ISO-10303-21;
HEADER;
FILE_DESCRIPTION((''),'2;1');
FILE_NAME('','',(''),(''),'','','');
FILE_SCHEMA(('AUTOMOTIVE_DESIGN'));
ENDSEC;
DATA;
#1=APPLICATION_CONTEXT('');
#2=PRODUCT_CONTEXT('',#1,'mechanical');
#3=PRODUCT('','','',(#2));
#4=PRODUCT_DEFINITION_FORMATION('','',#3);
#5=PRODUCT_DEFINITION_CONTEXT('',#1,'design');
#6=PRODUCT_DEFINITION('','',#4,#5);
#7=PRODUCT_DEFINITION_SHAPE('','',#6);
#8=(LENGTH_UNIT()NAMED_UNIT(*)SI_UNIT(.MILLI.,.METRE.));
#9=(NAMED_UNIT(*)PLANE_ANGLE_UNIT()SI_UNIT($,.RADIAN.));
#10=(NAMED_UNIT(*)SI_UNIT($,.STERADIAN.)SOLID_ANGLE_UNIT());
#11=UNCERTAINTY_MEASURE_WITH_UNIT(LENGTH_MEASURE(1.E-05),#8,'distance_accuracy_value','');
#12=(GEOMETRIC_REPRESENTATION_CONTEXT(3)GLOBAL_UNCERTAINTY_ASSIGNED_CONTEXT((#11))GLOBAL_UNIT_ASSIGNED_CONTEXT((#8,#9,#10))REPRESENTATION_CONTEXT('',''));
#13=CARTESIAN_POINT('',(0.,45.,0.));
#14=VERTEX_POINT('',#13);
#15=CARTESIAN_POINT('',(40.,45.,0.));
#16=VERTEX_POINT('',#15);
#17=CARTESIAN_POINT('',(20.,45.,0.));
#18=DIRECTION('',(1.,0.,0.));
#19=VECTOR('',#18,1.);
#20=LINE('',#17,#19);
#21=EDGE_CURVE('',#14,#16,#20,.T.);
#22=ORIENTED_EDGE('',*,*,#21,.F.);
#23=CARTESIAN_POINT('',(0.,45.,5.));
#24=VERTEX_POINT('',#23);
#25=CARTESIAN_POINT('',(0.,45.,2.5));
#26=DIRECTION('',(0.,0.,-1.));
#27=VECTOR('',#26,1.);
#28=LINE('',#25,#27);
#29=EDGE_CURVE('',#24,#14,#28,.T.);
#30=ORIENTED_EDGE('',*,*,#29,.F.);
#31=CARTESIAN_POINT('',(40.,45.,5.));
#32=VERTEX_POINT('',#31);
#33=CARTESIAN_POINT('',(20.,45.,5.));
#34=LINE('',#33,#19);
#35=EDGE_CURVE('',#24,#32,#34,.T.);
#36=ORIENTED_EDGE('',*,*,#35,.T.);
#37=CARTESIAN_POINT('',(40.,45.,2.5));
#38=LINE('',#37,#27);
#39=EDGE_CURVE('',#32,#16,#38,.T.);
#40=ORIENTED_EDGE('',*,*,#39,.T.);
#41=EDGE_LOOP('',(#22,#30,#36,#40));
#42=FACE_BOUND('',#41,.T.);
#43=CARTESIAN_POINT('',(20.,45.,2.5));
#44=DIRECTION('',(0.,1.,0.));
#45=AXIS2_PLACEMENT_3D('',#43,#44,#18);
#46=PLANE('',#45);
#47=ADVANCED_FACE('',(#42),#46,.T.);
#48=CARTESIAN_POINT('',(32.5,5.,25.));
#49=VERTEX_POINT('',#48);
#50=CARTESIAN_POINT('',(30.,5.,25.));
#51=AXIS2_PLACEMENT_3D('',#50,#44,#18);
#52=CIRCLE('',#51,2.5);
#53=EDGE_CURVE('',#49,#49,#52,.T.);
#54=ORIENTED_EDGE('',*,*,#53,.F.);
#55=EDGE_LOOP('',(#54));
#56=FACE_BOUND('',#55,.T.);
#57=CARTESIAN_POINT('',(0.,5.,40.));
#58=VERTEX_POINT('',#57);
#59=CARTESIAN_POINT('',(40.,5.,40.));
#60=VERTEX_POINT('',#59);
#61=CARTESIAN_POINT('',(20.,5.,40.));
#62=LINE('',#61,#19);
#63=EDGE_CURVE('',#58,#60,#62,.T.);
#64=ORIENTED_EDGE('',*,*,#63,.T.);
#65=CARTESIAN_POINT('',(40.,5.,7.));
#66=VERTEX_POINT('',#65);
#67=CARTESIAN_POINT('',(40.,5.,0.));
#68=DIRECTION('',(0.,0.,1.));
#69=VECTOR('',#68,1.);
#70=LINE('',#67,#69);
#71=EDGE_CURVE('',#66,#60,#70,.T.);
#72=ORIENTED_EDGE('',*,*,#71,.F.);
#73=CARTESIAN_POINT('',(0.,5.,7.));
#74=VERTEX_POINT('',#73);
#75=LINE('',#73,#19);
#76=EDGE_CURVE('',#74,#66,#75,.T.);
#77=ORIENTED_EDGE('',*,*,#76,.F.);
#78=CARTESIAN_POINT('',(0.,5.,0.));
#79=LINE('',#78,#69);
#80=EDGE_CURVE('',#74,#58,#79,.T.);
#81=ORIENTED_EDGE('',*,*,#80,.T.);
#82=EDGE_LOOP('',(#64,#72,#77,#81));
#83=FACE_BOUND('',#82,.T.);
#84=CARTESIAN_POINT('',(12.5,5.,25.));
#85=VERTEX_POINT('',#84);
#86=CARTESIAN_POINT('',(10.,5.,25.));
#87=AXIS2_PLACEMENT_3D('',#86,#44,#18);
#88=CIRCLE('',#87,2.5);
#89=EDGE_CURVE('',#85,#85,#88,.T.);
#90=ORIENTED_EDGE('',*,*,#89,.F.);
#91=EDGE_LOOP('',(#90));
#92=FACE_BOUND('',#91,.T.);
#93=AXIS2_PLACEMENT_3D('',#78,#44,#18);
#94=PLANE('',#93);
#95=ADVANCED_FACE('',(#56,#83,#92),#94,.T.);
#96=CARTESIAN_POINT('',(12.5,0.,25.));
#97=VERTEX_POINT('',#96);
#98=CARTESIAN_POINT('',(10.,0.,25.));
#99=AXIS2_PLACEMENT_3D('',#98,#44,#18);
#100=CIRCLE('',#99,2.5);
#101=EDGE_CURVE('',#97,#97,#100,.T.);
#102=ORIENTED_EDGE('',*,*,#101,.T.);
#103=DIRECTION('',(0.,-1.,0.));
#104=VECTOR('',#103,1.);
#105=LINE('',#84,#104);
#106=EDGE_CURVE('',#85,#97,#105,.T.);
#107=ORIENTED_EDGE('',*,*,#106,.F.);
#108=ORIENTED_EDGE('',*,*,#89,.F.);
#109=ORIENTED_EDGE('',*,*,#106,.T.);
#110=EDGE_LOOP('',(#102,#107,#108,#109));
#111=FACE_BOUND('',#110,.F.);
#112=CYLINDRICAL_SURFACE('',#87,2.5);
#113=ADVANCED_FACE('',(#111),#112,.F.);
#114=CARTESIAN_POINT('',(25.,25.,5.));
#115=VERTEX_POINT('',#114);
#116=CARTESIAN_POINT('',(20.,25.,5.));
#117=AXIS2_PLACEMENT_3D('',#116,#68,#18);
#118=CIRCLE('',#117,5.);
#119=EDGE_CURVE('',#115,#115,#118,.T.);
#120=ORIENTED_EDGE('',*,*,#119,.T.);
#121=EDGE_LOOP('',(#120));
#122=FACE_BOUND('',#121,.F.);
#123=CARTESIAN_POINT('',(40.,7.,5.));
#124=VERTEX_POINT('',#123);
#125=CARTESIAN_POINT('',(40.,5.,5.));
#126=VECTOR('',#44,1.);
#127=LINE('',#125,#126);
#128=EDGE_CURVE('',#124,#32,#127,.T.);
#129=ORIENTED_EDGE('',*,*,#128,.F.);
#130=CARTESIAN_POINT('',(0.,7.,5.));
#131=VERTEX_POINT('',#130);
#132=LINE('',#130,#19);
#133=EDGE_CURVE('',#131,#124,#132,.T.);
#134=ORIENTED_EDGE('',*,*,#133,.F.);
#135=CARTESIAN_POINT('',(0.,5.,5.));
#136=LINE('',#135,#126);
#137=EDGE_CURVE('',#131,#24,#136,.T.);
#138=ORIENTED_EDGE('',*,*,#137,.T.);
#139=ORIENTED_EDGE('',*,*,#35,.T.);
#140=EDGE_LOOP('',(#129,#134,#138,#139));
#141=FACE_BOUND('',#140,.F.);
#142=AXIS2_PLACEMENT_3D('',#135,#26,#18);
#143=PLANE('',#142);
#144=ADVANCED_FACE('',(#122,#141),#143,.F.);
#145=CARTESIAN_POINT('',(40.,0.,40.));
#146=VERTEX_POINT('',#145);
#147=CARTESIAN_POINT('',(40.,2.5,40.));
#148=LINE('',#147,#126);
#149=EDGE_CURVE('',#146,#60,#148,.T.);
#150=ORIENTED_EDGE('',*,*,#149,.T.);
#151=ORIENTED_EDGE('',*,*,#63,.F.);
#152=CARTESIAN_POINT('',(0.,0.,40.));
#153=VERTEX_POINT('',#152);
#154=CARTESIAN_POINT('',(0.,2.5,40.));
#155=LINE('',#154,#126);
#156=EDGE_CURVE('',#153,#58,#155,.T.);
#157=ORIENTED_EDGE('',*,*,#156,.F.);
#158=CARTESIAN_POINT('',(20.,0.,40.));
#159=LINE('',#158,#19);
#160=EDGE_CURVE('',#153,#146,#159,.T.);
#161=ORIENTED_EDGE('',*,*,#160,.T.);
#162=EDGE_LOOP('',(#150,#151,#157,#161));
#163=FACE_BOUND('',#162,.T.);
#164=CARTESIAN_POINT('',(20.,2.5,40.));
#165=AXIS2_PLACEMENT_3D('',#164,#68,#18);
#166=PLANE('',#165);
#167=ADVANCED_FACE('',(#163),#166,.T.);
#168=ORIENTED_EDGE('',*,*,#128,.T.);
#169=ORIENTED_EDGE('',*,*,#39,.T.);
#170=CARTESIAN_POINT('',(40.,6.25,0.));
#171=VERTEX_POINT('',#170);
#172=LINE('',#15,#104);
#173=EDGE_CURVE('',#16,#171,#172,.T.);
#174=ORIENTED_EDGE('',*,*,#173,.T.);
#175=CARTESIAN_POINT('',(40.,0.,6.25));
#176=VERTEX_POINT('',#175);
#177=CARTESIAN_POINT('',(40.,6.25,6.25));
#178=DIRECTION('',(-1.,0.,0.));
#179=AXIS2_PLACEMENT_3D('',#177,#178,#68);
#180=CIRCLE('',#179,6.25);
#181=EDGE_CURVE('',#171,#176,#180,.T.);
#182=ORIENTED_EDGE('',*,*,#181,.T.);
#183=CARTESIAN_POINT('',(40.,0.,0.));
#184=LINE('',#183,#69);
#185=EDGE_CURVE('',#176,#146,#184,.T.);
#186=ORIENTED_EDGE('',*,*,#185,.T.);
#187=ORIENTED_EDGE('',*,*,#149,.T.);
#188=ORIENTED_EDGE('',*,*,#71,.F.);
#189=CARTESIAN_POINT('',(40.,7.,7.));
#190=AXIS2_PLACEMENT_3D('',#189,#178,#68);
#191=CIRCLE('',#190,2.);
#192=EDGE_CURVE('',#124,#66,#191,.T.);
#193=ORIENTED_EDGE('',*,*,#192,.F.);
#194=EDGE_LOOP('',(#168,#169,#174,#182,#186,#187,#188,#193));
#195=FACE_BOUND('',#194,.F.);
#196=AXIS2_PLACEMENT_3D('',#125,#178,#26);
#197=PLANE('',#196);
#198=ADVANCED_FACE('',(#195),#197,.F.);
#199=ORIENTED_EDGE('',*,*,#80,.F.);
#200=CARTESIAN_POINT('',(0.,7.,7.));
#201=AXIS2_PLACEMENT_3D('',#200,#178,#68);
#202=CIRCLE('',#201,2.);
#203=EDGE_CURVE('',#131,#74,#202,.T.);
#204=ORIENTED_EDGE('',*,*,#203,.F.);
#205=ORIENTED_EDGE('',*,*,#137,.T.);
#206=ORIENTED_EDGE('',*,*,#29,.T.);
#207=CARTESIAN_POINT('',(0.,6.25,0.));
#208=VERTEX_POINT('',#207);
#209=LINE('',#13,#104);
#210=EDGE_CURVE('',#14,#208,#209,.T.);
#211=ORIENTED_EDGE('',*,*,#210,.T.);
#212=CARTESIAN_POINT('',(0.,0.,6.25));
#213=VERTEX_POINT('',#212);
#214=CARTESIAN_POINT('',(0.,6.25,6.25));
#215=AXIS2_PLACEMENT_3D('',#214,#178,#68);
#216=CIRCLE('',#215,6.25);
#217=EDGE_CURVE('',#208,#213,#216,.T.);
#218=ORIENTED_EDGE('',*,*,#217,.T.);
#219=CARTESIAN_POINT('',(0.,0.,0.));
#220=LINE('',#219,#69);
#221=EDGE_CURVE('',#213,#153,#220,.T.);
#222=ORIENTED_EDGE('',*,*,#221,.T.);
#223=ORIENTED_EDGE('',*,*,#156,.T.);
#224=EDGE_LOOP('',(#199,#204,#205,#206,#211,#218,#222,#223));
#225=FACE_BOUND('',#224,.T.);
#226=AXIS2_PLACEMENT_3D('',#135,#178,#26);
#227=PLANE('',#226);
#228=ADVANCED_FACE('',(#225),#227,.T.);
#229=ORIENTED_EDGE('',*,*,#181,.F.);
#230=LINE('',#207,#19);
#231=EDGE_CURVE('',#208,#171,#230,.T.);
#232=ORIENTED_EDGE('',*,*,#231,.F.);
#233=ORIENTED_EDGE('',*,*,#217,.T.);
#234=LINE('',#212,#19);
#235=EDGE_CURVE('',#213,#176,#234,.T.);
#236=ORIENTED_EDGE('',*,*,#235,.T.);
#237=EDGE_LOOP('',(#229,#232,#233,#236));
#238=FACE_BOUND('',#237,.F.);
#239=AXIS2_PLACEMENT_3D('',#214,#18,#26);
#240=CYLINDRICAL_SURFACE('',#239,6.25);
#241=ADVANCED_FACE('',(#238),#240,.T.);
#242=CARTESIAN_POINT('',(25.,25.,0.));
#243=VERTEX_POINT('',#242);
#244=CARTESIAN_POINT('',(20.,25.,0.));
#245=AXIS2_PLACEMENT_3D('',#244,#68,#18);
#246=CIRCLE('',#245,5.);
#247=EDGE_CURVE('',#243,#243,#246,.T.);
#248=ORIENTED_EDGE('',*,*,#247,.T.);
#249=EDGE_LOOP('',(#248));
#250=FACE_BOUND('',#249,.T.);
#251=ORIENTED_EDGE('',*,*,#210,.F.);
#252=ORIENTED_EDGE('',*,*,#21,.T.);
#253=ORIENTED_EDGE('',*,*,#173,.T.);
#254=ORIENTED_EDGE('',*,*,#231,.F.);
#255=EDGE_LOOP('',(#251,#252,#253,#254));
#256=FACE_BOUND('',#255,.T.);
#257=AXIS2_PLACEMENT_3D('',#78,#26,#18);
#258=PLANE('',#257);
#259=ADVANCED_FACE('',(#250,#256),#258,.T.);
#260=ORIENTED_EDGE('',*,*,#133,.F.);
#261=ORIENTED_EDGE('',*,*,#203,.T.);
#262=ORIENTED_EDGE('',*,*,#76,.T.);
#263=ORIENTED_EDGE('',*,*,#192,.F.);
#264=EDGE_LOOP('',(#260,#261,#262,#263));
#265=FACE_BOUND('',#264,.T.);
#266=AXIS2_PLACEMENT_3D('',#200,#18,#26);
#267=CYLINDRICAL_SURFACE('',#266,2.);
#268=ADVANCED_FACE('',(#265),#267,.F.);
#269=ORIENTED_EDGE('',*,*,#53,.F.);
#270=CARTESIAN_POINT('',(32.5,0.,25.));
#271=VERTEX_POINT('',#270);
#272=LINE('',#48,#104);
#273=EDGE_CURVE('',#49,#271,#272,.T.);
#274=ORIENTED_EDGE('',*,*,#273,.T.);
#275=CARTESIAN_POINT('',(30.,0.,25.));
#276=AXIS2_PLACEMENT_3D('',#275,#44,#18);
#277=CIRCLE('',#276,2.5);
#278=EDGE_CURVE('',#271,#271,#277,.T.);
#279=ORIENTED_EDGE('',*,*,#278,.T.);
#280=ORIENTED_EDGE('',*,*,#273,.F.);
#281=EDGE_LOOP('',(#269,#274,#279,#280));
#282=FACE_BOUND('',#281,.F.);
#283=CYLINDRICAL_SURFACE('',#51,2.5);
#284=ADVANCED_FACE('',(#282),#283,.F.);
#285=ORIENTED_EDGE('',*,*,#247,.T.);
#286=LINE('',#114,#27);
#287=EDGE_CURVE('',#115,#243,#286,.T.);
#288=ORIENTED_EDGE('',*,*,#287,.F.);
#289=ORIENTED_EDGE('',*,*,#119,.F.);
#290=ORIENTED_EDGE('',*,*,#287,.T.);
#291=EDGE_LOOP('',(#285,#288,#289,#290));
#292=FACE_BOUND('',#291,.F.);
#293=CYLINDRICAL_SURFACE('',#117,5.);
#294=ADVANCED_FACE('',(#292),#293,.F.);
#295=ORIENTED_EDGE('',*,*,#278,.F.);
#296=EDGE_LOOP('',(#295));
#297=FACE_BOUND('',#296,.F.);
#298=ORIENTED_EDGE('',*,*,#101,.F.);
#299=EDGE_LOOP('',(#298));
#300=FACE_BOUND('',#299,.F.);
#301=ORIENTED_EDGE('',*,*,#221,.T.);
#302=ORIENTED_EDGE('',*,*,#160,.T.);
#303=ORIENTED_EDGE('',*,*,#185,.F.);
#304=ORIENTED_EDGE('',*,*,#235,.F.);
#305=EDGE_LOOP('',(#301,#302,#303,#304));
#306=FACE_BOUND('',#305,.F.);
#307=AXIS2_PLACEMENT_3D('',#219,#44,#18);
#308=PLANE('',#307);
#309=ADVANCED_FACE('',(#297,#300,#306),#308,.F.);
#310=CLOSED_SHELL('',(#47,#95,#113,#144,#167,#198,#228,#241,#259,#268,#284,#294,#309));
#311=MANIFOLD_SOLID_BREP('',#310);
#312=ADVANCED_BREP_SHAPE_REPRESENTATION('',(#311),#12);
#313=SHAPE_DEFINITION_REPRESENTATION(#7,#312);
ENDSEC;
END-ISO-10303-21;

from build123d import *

# Parameters (mm, degrees)
SKETCH2_W           = 40
SKETCH2_H           = 5
BOSS_EXTRUDE1_DEPTH = 40
SKETCH3_W           = 40
SKETCH3_H           = 5
BOSS_EXTRUDE2_DEPTH = 40
SKETCH4_R           = 2.5
CUT_EXTRUDE1_DEPTH  = 10
SKETCH5_R           = 5
CUT_EXTRUDE2_DEPTH  = 10
FILLET1_R           = 6.25
FILLET2_R           = 2


with BuildPart() as part:
    # Sketch2 → Boss-Extrude1 (new body)
    with BuildSketch(Plane.XY):
        with Locations((20, 2.5)):
            Rectangle(SKETCH2_W, SKETCH2_H)
    extrude(amount=BOSS_EXTRUDE1_DEPTH)

    # Sketch3 → Boss-Extrude2 (add)
    with BuildSketch(Plane(origin=(0, 5, 0), x_dir=(1, 0, 0), z_dir=(0, 1, 0))):
        with Locations((20, -2.5)):
            Rectangle(SKETCH3_W, SKETCH3_H)
    extrude(amount=BOSS_EXTRUDE2_DEPTH)

    # Sketch4 → Cut-Extrude1 (cut)
    with BuildSketch(Plane(origin=(0, 5, 0), x_dir=(1, 0, 0), z_dir=(0, 1, 0))):
        with Locations((10, -25)):
            Circle(SKETCH4_R)
        with Locations((30, -25)):
            Circle(SKETCH4_R)
    extrude(amount=-CUT_EXTRUDE1_DEPTH, mode=Mode.SUBTRACT)

    # Sketch5 → Cut-Extrude2 (cut)
    with BuildSketch(Plane.XY.offset(5)):
        with Locations((20, 25)):
            Circle(SKETCH5_R)
    extrude(amount=-CUT_EXTRUDE2_DEPTH, mode=Mode.SUBTRACT)

    # Fillet1
    fillet1_edges = [part.edges().sort_by_distance(p)[0] for p in [
        (20, 0, 0),
    ]]
    fillet(fillet1_edges, radius=FILLET1_R)

    # Fillet2
    fillet2_edges = [part.edges().sort_by_distance(p)[0] for p in [
        (20, 5, 5),
    ]]
    fillet(fillet2_edges, radius=FILLET2_R)


solid = part.part
